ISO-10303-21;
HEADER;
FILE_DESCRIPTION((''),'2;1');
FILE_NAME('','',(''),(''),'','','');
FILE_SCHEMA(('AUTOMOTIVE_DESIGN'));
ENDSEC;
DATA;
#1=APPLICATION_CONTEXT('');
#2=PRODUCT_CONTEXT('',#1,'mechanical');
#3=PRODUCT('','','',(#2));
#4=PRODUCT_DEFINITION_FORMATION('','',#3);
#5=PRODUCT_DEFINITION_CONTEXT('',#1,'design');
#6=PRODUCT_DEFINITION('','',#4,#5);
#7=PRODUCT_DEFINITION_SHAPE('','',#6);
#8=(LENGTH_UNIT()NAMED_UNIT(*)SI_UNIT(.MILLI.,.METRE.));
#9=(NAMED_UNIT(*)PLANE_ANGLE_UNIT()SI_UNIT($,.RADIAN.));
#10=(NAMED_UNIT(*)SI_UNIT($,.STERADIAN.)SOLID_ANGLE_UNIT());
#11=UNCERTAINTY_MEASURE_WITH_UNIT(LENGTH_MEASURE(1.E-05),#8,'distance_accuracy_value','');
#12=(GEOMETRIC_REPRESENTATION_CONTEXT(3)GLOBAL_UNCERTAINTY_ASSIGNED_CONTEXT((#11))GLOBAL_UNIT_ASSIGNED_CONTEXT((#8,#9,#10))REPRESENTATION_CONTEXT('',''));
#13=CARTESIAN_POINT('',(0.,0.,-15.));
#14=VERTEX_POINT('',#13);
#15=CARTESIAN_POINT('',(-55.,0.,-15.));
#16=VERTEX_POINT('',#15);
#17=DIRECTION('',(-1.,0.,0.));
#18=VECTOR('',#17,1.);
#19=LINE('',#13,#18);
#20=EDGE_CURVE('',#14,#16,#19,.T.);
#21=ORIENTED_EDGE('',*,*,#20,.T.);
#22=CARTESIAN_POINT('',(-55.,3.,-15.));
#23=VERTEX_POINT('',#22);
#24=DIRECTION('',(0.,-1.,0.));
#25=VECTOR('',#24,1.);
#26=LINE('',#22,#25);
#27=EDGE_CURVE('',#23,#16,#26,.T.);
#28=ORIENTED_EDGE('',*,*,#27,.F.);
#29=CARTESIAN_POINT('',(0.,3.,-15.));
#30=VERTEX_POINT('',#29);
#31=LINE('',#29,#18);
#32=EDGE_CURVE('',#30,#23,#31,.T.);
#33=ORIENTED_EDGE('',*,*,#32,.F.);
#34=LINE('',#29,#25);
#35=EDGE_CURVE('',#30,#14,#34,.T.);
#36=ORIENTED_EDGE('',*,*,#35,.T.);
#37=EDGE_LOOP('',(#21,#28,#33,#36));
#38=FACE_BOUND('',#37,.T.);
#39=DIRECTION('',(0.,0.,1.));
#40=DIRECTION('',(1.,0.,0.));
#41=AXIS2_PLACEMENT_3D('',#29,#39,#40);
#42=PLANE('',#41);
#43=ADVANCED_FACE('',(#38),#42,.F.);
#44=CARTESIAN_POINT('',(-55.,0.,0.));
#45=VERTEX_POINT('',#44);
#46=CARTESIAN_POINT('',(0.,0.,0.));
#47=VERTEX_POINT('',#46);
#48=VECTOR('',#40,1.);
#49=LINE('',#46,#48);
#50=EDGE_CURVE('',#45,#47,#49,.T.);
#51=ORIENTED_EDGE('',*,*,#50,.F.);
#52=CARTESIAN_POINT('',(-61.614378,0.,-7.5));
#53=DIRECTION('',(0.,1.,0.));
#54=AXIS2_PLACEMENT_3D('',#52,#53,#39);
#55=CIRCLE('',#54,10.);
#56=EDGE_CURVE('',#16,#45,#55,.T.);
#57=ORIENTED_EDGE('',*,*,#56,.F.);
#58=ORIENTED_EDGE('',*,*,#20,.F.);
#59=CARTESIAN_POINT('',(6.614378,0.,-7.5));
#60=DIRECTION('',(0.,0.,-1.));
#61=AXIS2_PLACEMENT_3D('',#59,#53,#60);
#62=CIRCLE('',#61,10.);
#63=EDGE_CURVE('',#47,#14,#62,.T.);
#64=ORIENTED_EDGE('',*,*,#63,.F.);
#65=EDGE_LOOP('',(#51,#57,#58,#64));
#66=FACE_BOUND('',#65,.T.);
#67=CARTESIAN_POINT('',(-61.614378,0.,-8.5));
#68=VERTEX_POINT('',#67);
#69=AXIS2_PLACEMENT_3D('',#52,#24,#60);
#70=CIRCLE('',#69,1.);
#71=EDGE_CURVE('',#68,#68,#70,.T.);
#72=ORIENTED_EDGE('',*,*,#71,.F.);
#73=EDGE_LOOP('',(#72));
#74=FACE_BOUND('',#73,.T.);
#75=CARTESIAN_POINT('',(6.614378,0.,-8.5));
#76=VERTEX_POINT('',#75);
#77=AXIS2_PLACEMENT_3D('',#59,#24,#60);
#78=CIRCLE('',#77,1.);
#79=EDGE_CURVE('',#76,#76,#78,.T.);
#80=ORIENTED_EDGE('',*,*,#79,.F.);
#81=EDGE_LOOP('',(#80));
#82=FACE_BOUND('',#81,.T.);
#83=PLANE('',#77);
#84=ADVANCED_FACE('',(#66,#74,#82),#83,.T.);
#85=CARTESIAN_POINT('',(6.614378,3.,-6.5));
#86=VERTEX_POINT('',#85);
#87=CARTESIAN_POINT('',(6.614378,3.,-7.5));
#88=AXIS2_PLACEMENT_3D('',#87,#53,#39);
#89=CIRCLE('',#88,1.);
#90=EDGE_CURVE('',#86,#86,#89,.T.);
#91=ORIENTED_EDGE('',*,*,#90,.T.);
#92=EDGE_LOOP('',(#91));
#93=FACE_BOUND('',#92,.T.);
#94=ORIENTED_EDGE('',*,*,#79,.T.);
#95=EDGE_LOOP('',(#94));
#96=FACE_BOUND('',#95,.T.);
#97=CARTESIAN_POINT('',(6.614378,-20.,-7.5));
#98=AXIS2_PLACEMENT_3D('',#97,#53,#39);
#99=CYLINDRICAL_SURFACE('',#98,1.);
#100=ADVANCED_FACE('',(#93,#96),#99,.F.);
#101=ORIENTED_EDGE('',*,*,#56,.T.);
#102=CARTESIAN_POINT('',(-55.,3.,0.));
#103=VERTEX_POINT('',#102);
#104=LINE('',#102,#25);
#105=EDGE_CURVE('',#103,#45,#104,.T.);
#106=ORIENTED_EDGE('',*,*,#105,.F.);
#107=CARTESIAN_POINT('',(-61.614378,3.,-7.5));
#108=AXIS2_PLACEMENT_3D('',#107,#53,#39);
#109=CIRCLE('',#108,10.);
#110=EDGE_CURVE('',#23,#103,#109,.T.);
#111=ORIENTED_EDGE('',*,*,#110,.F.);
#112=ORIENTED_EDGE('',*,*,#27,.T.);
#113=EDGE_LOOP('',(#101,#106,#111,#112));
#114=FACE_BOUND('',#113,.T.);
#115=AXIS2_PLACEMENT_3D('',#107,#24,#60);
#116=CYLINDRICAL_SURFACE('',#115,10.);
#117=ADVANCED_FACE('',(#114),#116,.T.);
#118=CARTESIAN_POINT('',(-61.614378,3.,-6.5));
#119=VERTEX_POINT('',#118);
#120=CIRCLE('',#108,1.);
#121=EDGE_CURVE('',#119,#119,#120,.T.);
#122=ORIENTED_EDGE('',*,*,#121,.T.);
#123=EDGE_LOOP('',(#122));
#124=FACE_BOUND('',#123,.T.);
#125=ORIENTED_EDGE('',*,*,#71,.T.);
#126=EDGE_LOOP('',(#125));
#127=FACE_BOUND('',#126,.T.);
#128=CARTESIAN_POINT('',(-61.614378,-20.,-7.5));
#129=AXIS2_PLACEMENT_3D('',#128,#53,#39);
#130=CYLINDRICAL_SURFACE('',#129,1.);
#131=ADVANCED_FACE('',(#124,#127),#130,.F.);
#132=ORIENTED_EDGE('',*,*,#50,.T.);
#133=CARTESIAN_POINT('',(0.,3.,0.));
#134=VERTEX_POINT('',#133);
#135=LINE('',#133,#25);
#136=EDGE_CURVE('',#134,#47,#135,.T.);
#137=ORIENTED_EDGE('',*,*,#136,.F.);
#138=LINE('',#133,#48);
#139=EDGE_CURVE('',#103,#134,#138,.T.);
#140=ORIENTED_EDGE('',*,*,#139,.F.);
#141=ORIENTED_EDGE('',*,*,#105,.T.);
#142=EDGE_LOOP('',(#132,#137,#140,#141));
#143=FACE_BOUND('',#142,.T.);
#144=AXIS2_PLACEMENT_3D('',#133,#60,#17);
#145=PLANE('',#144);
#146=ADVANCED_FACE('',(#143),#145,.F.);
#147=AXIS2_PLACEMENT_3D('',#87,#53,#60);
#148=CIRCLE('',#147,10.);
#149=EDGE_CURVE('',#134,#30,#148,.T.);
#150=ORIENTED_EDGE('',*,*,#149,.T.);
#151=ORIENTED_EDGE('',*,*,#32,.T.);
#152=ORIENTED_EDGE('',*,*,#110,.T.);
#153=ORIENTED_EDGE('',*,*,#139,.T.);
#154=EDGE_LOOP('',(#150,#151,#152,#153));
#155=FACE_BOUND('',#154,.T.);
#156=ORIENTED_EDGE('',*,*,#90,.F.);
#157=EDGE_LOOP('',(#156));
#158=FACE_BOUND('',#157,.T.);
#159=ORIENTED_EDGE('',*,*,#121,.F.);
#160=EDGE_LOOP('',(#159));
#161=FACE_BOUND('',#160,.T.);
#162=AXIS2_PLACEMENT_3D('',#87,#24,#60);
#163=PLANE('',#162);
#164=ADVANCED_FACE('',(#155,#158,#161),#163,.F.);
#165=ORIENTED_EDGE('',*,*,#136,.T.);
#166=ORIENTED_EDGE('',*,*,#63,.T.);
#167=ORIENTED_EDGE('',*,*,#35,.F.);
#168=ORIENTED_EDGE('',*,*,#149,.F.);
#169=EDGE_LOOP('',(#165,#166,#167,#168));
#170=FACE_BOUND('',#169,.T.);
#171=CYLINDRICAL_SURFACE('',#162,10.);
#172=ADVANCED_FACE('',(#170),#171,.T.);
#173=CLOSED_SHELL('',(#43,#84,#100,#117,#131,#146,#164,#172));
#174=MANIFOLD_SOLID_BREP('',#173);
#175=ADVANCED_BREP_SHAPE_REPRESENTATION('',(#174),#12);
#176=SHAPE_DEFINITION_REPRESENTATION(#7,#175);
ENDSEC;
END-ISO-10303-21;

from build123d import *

# Parameters (mm, degrees)
BOSS_EXTRUDE1_DEPTH = 3
SKETCH2_R           = 1
CUT_EXTRUDE1_DEPTH  = 23


with BuildPart() as part:
    # Sketch1 → Boss-Extrude1 (new body)
    with BuildSketch(Plane(origin=(0, 0, 0), x_dir=(1, 0, 0), z_dir=(0, 1, 0))):
        with BuildLine():
            Line((0, 0), (-55, 0))
            ThreePointArc((-55, 0), (-71.614378278, 7.5), (-55, 15))
            Line((-55, 15), (0, 15))
            ThreePointArc((0, 15), (16.614378278, 7.5), (0, 0))
        make_face()
    extrude(amount=BOSS_EXTRUDE1_DEPTH)

    # Sketch2 → Cut-Extrude1 (cut)
    with BuildSketch(Plane(origin=(0, 3, 0), x_dir=(1, 0, 0), z_dir=(0, 1, 0))):
        with Locations(Location((-61.614378278, 7.5, 0), (0, 0, 270))):
            Circle(SKETCH2_R)
        with Locations(Location((6.614378278, 7.5, 0), (0, 0, 270))):
            Circle(SKETCH2_R)
    extrude(amount=-CUT_EXTRUDE1_DEPTH, mode=Mode.SUBTRACT)


solid = part.part
